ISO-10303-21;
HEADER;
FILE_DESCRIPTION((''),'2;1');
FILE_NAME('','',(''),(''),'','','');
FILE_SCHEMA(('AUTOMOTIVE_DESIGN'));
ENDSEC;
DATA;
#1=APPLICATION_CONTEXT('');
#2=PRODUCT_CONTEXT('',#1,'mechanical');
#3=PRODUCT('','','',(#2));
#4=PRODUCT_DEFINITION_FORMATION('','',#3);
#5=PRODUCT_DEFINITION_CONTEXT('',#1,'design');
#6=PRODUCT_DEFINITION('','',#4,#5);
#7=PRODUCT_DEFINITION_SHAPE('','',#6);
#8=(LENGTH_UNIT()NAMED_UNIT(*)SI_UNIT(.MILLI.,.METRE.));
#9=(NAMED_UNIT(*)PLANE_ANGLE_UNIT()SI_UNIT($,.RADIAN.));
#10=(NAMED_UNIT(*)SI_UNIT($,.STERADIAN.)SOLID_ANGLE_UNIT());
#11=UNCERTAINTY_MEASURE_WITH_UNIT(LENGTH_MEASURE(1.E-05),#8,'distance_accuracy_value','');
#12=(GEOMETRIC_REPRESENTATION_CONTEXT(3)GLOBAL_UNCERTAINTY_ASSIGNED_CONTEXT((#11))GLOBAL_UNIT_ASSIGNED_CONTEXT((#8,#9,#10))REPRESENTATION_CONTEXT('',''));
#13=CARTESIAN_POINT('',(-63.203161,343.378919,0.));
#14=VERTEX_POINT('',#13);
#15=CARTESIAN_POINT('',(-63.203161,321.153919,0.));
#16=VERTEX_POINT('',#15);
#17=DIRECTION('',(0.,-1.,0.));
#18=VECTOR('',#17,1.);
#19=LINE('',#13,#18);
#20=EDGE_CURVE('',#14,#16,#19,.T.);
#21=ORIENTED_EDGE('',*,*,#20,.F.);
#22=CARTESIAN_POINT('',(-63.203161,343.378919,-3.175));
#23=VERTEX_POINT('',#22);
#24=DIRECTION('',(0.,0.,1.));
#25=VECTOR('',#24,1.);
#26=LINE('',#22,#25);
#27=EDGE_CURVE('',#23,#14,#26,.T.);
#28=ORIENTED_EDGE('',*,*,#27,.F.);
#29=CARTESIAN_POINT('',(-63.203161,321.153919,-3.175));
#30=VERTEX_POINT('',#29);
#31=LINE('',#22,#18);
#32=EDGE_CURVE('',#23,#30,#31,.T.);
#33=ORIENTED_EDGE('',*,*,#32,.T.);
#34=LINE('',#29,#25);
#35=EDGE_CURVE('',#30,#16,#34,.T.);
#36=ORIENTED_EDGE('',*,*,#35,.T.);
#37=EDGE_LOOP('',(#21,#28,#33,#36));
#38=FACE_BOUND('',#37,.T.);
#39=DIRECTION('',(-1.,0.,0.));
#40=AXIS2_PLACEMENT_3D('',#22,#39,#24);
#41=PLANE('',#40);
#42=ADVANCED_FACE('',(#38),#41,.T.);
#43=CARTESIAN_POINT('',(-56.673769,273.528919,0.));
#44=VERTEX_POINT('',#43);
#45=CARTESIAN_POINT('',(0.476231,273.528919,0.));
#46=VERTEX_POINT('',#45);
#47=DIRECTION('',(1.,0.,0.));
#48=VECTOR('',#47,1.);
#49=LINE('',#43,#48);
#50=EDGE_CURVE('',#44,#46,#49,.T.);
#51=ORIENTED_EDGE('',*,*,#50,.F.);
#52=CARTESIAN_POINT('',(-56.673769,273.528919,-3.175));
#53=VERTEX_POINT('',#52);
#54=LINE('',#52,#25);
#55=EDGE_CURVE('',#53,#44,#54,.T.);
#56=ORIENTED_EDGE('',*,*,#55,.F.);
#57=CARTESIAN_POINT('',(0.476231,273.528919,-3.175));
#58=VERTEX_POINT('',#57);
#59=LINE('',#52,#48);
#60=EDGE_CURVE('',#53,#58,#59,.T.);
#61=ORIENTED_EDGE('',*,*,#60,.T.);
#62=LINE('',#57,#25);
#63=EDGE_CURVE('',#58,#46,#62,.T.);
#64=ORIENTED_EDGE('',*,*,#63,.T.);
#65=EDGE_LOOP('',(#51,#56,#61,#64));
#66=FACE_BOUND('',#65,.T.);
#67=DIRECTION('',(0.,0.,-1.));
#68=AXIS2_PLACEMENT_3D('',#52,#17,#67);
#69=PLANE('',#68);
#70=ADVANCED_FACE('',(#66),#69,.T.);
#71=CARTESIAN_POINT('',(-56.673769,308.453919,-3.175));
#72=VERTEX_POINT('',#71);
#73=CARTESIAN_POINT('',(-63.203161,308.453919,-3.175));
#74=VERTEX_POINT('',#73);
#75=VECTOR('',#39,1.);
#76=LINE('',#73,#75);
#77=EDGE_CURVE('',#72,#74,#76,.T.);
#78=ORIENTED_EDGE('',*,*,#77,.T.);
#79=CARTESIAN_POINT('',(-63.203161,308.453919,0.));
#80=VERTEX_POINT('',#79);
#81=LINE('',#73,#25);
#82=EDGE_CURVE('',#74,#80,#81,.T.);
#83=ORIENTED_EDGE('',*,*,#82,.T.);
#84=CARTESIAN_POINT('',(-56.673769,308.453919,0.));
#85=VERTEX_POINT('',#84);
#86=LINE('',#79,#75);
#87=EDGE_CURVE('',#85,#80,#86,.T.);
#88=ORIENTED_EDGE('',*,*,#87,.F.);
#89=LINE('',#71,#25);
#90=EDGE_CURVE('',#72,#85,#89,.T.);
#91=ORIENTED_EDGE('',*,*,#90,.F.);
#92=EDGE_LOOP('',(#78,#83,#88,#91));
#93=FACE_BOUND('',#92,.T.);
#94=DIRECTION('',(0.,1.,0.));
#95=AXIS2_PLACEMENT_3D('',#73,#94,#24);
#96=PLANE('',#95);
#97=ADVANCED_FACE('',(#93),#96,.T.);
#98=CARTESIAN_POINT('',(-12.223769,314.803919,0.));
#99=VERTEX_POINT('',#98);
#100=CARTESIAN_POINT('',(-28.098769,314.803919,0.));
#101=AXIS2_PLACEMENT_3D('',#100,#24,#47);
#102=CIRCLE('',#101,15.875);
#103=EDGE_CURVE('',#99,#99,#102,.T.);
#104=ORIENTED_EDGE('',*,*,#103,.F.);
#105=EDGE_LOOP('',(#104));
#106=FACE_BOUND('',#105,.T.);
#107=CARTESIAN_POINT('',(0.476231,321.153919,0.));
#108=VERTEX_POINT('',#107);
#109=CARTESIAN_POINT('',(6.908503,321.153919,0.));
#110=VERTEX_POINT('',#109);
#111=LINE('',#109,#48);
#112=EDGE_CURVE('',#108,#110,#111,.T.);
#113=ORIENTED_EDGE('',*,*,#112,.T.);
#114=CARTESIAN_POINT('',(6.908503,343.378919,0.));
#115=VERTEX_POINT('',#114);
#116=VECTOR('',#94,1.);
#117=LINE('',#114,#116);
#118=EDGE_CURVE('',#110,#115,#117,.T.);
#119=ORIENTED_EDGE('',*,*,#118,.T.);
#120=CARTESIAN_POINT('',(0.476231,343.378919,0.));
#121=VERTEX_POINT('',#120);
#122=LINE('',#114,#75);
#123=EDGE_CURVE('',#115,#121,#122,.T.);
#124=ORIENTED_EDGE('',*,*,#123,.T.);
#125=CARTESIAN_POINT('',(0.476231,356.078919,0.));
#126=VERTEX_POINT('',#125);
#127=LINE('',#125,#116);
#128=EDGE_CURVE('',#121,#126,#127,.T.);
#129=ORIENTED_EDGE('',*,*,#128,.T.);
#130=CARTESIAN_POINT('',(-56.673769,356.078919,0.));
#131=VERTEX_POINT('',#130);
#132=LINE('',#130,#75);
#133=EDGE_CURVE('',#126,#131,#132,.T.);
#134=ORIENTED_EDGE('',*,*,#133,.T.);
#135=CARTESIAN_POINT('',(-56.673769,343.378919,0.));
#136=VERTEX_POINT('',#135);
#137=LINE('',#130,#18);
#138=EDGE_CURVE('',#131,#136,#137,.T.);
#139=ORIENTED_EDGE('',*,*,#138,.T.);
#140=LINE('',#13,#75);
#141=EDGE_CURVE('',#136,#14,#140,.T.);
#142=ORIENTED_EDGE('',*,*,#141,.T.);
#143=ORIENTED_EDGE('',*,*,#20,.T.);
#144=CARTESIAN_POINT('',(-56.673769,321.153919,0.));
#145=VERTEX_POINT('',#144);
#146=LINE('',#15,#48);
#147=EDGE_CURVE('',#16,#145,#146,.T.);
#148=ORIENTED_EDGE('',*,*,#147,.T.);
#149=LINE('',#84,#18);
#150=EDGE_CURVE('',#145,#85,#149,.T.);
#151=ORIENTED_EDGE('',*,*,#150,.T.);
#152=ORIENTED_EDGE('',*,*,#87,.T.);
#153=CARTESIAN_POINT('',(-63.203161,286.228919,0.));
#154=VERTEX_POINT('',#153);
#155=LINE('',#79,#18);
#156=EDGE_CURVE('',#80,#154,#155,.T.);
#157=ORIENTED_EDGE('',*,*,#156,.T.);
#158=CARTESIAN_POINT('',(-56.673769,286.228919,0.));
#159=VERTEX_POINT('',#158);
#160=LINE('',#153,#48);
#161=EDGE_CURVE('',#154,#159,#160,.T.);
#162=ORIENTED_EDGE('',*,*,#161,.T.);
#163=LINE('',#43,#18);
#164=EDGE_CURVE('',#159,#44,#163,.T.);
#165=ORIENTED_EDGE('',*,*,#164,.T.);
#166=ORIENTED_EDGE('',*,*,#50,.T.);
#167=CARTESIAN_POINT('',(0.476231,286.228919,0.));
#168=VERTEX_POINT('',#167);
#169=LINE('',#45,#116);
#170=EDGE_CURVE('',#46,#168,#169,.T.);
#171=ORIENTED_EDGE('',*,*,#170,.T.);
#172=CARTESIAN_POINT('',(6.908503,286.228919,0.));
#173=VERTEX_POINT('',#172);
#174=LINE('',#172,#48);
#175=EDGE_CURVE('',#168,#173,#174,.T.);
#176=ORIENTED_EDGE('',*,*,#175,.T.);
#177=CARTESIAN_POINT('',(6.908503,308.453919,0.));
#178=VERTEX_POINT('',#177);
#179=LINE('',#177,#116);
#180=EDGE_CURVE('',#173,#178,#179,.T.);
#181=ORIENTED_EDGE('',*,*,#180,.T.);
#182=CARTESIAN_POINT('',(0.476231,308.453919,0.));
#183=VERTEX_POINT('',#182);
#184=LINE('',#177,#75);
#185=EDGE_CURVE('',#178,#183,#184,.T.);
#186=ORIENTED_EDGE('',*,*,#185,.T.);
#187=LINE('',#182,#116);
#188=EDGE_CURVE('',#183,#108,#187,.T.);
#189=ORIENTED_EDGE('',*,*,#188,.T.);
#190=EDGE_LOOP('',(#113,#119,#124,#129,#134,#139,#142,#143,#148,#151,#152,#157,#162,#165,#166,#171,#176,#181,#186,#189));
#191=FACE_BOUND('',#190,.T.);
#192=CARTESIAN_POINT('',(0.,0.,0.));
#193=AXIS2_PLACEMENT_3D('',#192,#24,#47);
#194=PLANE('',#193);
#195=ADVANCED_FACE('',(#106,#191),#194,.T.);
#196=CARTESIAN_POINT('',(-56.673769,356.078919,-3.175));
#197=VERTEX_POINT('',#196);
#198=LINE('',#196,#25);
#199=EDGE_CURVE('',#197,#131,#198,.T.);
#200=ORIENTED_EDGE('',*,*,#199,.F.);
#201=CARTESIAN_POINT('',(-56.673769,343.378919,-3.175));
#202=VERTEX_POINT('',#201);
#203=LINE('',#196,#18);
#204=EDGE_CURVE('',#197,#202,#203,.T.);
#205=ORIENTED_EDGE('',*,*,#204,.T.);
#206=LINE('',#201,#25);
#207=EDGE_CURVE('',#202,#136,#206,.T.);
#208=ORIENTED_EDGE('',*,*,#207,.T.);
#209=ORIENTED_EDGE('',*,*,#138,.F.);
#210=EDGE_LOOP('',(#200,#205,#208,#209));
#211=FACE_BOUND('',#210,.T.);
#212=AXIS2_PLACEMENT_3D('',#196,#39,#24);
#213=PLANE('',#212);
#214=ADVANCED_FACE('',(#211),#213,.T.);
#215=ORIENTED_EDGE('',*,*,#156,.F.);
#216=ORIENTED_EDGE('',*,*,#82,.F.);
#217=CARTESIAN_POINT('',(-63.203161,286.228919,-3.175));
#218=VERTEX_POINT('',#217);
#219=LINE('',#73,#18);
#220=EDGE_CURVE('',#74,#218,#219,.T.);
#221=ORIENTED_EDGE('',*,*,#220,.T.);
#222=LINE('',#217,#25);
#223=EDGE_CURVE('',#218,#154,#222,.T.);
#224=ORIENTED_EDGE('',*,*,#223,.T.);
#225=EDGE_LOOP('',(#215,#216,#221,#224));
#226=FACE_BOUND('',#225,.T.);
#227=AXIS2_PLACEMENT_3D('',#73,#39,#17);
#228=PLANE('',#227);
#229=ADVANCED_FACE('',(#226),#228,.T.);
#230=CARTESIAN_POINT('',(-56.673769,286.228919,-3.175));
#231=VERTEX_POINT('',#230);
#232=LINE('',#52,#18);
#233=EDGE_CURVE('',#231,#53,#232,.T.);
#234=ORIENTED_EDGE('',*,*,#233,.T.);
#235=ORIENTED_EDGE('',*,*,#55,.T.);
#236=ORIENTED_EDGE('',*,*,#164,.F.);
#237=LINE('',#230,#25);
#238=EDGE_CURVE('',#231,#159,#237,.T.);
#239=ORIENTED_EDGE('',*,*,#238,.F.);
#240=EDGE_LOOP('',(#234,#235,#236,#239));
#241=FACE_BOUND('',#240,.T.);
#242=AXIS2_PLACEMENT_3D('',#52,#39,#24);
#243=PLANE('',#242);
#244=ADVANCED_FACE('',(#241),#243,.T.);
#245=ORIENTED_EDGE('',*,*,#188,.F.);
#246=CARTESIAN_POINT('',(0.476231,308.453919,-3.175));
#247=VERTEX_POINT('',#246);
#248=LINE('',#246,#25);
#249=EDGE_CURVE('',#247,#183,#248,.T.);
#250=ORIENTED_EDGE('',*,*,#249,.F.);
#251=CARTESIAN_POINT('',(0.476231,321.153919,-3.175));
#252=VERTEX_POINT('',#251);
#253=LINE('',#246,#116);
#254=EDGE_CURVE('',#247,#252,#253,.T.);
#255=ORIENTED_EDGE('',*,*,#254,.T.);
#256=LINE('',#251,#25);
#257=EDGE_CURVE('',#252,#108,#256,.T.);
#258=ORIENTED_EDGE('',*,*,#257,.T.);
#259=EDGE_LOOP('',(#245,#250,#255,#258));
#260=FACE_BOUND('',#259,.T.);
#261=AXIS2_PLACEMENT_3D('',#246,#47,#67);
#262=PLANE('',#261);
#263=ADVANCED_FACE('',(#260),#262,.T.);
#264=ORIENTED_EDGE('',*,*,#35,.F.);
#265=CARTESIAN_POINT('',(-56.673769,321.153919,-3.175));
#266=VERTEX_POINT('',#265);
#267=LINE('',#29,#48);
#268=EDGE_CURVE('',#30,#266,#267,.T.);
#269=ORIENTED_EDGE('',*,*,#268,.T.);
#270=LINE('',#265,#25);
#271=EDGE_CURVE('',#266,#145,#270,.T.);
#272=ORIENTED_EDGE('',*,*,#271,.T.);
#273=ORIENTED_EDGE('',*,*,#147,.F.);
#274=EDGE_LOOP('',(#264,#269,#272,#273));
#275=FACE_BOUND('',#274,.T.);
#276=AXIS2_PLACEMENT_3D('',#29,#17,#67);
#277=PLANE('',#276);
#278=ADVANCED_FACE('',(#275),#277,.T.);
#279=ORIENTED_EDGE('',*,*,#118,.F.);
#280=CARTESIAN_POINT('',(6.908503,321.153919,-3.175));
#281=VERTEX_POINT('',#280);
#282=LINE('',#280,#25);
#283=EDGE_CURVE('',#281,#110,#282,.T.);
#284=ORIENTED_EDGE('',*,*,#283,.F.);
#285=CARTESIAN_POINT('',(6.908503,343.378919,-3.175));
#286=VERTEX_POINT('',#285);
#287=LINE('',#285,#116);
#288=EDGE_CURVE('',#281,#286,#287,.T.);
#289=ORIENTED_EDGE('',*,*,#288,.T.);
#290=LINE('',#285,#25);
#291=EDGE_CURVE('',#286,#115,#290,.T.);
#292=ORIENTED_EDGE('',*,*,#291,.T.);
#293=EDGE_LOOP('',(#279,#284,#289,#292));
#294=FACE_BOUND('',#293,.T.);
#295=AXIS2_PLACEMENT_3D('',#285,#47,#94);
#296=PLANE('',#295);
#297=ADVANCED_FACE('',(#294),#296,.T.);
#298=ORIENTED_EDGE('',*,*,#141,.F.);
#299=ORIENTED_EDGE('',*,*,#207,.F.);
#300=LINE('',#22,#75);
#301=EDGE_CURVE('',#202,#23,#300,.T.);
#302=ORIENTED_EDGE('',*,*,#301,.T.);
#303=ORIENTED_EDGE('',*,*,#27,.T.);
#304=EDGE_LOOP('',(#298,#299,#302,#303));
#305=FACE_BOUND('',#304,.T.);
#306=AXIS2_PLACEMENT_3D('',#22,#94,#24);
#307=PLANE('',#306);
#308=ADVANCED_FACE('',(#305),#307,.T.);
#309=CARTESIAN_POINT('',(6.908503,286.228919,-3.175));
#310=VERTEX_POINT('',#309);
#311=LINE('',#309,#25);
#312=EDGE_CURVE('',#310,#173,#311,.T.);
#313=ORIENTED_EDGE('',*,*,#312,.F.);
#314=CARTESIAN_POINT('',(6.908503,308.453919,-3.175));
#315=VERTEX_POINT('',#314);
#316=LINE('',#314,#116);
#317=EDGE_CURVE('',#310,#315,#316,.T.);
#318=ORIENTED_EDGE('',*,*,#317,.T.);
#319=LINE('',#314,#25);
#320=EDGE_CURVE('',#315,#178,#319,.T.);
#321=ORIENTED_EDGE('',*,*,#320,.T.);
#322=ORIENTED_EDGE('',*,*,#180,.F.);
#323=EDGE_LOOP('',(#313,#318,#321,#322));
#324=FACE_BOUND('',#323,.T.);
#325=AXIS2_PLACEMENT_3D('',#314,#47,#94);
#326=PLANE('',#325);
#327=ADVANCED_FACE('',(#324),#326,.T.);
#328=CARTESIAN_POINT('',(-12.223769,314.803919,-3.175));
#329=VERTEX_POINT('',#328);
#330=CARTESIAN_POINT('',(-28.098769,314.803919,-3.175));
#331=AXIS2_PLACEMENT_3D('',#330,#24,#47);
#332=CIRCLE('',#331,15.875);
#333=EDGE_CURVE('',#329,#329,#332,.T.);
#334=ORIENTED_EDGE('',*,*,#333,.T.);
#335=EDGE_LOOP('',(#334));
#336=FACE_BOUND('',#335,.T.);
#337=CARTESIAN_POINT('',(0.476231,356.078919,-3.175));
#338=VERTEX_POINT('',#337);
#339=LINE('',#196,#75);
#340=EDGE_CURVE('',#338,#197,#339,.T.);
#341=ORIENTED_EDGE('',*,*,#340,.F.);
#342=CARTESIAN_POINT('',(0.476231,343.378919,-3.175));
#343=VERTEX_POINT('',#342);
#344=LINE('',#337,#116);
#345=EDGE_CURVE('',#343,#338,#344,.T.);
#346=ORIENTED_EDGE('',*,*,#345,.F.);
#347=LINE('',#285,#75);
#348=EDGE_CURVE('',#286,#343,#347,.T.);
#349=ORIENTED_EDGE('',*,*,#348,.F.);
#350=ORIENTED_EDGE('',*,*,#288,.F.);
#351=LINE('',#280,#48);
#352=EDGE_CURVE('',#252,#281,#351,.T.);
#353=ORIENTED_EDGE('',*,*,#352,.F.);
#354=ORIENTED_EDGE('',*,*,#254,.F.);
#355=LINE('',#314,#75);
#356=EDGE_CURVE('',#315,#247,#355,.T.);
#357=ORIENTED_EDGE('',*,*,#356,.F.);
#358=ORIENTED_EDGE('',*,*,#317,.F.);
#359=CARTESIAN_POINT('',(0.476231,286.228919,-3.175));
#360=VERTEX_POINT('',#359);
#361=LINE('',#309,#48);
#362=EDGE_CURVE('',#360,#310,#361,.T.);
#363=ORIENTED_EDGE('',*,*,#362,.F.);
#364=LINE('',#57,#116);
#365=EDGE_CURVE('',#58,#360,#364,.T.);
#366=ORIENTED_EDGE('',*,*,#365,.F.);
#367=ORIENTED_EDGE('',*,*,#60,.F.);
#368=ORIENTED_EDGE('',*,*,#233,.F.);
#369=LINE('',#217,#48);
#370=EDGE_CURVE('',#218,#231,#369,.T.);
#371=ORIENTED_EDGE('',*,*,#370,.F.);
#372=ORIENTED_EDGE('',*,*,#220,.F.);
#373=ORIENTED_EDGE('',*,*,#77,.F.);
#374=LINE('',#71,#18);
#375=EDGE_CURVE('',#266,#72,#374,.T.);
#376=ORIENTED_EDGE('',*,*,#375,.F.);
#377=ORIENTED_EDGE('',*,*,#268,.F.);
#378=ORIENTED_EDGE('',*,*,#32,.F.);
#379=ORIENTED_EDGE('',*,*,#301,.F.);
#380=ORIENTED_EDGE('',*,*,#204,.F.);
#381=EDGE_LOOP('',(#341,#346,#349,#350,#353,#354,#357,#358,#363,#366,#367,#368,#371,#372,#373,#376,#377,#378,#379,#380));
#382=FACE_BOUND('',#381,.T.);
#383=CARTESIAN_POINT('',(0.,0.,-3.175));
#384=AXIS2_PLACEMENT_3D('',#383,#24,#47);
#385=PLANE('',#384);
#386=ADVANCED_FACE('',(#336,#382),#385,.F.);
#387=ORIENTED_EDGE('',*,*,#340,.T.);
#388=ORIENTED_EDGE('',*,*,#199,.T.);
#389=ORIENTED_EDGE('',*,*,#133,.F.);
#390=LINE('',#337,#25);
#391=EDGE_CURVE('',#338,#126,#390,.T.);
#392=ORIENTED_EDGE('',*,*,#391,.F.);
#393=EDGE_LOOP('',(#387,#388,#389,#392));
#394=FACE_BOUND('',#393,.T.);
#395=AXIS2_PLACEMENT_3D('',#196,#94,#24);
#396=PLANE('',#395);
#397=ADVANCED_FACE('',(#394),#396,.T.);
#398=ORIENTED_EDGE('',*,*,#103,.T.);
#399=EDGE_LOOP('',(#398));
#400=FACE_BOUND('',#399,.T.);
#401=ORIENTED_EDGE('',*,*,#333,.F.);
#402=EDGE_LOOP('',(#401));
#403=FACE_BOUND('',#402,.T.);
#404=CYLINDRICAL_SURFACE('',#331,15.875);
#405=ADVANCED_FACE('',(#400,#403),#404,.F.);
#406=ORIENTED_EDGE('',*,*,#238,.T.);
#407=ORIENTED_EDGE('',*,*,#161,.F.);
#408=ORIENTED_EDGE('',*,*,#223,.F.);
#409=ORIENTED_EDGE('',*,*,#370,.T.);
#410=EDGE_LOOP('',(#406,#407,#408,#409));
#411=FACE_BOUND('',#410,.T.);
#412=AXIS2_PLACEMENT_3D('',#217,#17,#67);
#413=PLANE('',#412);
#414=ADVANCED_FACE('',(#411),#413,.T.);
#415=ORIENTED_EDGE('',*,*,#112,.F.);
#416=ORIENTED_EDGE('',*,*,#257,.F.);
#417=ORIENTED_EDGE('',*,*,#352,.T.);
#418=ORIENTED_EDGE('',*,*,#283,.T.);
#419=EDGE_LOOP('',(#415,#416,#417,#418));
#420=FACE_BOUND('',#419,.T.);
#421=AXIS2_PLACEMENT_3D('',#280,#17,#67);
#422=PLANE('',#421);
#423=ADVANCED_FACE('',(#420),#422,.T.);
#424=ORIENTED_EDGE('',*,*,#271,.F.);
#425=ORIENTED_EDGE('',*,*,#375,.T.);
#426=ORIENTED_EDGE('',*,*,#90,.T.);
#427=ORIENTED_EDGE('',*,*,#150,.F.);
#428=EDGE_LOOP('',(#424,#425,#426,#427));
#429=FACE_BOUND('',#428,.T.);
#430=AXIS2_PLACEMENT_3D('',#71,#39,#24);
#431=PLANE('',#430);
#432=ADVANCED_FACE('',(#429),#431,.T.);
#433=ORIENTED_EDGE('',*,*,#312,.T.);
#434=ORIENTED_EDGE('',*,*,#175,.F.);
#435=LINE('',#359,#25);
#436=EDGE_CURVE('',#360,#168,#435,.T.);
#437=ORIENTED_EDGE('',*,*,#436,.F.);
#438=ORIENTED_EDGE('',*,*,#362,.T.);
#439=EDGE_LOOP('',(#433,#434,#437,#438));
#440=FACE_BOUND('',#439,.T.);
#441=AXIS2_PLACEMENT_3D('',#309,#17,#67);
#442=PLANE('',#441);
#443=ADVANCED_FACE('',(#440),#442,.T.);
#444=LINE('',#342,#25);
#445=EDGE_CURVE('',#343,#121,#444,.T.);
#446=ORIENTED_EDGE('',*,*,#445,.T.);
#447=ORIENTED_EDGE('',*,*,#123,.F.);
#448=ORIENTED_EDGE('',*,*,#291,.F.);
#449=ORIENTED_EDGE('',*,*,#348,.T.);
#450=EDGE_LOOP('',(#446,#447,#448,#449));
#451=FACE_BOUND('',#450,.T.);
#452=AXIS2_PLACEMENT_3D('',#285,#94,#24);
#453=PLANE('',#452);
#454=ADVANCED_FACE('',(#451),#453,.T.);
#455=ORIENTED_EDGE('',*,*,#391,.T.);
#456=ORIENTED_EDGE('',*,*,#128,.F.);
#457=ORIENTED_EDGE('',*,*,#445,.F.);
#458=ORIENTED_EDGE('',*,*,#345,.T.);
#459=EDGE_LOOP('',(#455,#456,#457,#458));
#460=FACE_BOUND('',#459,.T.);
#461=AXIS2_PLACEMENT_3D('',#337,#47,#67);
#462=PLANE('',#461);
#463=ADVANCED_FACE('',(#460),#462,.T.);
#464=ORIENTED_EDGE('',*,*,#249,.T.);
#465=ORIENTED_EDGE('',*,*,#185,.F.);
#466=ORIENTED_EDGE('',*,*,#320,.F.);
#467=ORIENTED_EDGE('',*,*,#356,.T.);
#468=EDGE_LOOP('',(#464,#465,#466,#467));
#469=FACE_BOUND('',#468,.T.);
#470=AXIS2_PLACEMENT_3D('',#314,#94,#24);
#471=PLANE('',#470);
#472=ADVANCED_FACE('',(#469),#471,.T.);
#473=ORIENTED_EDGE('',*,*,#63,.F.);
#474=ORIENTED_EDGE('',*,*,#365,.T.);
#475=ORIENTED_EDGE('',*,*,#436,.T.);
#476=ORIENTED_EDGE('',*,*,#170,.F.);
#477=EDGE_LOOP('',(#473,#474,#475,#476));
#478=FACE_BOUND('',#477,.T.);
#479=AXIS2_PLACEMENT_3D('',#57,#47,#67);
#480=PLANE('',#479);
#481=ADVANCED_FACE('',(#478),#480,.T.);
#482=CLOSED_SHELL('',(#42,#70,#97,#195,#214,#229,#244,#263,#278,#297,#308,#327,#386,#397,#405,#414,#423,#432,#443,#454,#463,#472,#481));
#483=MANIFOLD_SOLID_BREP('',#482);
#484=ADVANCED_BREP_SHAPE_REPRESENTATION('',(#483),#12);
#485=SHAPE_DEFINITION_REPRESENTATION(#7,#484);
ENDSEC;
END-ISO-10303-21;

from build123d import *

# Parameters (mm, degrees)
SKETCH1_R           = 15.875
BOSS_EXTRUDE1_DEPTH = 3.175


with BuildPart() as part:
    # Sketch1 → Boss-Extrude1 (new body)
    with BuildSketch(Plane.XY):
        Polygon((-56.673769495, 356.078918744), (0.476230503, 356.078918744), (0.476230503, 343.378918744), (6.908503105, 343.378918744), (6.908503105, 321.153918744), (0.476230503, 321.153918744), (0.476230503, 308.453918744), (6.908503105, 308.453918744), (6.908503105, 286.228918744), (0.476230503, 286.228918744), (0.476230503, 273.528918744), (-56.673769495, 273.528918744), (-56.673769495, 286.228918744), (-63.203160658, 286.228918744), (-63.203160658, 308.453918744), (-56.673769495, 308.453918744), (-56.673769495, 321.153918744), (-63.203160658, 321.153918744), (-63.203160658, 343.378918744), (-56.673769495, 343.378918744), align=None)
        with Locations((-28.098769497, 314.803918744)):
            Circle(SKETCH1_R, mode=Mode.SUBTRACT)
    extrude(amount=-BOSS_EXTRUDE1_DEPTH)


solid = part.part
